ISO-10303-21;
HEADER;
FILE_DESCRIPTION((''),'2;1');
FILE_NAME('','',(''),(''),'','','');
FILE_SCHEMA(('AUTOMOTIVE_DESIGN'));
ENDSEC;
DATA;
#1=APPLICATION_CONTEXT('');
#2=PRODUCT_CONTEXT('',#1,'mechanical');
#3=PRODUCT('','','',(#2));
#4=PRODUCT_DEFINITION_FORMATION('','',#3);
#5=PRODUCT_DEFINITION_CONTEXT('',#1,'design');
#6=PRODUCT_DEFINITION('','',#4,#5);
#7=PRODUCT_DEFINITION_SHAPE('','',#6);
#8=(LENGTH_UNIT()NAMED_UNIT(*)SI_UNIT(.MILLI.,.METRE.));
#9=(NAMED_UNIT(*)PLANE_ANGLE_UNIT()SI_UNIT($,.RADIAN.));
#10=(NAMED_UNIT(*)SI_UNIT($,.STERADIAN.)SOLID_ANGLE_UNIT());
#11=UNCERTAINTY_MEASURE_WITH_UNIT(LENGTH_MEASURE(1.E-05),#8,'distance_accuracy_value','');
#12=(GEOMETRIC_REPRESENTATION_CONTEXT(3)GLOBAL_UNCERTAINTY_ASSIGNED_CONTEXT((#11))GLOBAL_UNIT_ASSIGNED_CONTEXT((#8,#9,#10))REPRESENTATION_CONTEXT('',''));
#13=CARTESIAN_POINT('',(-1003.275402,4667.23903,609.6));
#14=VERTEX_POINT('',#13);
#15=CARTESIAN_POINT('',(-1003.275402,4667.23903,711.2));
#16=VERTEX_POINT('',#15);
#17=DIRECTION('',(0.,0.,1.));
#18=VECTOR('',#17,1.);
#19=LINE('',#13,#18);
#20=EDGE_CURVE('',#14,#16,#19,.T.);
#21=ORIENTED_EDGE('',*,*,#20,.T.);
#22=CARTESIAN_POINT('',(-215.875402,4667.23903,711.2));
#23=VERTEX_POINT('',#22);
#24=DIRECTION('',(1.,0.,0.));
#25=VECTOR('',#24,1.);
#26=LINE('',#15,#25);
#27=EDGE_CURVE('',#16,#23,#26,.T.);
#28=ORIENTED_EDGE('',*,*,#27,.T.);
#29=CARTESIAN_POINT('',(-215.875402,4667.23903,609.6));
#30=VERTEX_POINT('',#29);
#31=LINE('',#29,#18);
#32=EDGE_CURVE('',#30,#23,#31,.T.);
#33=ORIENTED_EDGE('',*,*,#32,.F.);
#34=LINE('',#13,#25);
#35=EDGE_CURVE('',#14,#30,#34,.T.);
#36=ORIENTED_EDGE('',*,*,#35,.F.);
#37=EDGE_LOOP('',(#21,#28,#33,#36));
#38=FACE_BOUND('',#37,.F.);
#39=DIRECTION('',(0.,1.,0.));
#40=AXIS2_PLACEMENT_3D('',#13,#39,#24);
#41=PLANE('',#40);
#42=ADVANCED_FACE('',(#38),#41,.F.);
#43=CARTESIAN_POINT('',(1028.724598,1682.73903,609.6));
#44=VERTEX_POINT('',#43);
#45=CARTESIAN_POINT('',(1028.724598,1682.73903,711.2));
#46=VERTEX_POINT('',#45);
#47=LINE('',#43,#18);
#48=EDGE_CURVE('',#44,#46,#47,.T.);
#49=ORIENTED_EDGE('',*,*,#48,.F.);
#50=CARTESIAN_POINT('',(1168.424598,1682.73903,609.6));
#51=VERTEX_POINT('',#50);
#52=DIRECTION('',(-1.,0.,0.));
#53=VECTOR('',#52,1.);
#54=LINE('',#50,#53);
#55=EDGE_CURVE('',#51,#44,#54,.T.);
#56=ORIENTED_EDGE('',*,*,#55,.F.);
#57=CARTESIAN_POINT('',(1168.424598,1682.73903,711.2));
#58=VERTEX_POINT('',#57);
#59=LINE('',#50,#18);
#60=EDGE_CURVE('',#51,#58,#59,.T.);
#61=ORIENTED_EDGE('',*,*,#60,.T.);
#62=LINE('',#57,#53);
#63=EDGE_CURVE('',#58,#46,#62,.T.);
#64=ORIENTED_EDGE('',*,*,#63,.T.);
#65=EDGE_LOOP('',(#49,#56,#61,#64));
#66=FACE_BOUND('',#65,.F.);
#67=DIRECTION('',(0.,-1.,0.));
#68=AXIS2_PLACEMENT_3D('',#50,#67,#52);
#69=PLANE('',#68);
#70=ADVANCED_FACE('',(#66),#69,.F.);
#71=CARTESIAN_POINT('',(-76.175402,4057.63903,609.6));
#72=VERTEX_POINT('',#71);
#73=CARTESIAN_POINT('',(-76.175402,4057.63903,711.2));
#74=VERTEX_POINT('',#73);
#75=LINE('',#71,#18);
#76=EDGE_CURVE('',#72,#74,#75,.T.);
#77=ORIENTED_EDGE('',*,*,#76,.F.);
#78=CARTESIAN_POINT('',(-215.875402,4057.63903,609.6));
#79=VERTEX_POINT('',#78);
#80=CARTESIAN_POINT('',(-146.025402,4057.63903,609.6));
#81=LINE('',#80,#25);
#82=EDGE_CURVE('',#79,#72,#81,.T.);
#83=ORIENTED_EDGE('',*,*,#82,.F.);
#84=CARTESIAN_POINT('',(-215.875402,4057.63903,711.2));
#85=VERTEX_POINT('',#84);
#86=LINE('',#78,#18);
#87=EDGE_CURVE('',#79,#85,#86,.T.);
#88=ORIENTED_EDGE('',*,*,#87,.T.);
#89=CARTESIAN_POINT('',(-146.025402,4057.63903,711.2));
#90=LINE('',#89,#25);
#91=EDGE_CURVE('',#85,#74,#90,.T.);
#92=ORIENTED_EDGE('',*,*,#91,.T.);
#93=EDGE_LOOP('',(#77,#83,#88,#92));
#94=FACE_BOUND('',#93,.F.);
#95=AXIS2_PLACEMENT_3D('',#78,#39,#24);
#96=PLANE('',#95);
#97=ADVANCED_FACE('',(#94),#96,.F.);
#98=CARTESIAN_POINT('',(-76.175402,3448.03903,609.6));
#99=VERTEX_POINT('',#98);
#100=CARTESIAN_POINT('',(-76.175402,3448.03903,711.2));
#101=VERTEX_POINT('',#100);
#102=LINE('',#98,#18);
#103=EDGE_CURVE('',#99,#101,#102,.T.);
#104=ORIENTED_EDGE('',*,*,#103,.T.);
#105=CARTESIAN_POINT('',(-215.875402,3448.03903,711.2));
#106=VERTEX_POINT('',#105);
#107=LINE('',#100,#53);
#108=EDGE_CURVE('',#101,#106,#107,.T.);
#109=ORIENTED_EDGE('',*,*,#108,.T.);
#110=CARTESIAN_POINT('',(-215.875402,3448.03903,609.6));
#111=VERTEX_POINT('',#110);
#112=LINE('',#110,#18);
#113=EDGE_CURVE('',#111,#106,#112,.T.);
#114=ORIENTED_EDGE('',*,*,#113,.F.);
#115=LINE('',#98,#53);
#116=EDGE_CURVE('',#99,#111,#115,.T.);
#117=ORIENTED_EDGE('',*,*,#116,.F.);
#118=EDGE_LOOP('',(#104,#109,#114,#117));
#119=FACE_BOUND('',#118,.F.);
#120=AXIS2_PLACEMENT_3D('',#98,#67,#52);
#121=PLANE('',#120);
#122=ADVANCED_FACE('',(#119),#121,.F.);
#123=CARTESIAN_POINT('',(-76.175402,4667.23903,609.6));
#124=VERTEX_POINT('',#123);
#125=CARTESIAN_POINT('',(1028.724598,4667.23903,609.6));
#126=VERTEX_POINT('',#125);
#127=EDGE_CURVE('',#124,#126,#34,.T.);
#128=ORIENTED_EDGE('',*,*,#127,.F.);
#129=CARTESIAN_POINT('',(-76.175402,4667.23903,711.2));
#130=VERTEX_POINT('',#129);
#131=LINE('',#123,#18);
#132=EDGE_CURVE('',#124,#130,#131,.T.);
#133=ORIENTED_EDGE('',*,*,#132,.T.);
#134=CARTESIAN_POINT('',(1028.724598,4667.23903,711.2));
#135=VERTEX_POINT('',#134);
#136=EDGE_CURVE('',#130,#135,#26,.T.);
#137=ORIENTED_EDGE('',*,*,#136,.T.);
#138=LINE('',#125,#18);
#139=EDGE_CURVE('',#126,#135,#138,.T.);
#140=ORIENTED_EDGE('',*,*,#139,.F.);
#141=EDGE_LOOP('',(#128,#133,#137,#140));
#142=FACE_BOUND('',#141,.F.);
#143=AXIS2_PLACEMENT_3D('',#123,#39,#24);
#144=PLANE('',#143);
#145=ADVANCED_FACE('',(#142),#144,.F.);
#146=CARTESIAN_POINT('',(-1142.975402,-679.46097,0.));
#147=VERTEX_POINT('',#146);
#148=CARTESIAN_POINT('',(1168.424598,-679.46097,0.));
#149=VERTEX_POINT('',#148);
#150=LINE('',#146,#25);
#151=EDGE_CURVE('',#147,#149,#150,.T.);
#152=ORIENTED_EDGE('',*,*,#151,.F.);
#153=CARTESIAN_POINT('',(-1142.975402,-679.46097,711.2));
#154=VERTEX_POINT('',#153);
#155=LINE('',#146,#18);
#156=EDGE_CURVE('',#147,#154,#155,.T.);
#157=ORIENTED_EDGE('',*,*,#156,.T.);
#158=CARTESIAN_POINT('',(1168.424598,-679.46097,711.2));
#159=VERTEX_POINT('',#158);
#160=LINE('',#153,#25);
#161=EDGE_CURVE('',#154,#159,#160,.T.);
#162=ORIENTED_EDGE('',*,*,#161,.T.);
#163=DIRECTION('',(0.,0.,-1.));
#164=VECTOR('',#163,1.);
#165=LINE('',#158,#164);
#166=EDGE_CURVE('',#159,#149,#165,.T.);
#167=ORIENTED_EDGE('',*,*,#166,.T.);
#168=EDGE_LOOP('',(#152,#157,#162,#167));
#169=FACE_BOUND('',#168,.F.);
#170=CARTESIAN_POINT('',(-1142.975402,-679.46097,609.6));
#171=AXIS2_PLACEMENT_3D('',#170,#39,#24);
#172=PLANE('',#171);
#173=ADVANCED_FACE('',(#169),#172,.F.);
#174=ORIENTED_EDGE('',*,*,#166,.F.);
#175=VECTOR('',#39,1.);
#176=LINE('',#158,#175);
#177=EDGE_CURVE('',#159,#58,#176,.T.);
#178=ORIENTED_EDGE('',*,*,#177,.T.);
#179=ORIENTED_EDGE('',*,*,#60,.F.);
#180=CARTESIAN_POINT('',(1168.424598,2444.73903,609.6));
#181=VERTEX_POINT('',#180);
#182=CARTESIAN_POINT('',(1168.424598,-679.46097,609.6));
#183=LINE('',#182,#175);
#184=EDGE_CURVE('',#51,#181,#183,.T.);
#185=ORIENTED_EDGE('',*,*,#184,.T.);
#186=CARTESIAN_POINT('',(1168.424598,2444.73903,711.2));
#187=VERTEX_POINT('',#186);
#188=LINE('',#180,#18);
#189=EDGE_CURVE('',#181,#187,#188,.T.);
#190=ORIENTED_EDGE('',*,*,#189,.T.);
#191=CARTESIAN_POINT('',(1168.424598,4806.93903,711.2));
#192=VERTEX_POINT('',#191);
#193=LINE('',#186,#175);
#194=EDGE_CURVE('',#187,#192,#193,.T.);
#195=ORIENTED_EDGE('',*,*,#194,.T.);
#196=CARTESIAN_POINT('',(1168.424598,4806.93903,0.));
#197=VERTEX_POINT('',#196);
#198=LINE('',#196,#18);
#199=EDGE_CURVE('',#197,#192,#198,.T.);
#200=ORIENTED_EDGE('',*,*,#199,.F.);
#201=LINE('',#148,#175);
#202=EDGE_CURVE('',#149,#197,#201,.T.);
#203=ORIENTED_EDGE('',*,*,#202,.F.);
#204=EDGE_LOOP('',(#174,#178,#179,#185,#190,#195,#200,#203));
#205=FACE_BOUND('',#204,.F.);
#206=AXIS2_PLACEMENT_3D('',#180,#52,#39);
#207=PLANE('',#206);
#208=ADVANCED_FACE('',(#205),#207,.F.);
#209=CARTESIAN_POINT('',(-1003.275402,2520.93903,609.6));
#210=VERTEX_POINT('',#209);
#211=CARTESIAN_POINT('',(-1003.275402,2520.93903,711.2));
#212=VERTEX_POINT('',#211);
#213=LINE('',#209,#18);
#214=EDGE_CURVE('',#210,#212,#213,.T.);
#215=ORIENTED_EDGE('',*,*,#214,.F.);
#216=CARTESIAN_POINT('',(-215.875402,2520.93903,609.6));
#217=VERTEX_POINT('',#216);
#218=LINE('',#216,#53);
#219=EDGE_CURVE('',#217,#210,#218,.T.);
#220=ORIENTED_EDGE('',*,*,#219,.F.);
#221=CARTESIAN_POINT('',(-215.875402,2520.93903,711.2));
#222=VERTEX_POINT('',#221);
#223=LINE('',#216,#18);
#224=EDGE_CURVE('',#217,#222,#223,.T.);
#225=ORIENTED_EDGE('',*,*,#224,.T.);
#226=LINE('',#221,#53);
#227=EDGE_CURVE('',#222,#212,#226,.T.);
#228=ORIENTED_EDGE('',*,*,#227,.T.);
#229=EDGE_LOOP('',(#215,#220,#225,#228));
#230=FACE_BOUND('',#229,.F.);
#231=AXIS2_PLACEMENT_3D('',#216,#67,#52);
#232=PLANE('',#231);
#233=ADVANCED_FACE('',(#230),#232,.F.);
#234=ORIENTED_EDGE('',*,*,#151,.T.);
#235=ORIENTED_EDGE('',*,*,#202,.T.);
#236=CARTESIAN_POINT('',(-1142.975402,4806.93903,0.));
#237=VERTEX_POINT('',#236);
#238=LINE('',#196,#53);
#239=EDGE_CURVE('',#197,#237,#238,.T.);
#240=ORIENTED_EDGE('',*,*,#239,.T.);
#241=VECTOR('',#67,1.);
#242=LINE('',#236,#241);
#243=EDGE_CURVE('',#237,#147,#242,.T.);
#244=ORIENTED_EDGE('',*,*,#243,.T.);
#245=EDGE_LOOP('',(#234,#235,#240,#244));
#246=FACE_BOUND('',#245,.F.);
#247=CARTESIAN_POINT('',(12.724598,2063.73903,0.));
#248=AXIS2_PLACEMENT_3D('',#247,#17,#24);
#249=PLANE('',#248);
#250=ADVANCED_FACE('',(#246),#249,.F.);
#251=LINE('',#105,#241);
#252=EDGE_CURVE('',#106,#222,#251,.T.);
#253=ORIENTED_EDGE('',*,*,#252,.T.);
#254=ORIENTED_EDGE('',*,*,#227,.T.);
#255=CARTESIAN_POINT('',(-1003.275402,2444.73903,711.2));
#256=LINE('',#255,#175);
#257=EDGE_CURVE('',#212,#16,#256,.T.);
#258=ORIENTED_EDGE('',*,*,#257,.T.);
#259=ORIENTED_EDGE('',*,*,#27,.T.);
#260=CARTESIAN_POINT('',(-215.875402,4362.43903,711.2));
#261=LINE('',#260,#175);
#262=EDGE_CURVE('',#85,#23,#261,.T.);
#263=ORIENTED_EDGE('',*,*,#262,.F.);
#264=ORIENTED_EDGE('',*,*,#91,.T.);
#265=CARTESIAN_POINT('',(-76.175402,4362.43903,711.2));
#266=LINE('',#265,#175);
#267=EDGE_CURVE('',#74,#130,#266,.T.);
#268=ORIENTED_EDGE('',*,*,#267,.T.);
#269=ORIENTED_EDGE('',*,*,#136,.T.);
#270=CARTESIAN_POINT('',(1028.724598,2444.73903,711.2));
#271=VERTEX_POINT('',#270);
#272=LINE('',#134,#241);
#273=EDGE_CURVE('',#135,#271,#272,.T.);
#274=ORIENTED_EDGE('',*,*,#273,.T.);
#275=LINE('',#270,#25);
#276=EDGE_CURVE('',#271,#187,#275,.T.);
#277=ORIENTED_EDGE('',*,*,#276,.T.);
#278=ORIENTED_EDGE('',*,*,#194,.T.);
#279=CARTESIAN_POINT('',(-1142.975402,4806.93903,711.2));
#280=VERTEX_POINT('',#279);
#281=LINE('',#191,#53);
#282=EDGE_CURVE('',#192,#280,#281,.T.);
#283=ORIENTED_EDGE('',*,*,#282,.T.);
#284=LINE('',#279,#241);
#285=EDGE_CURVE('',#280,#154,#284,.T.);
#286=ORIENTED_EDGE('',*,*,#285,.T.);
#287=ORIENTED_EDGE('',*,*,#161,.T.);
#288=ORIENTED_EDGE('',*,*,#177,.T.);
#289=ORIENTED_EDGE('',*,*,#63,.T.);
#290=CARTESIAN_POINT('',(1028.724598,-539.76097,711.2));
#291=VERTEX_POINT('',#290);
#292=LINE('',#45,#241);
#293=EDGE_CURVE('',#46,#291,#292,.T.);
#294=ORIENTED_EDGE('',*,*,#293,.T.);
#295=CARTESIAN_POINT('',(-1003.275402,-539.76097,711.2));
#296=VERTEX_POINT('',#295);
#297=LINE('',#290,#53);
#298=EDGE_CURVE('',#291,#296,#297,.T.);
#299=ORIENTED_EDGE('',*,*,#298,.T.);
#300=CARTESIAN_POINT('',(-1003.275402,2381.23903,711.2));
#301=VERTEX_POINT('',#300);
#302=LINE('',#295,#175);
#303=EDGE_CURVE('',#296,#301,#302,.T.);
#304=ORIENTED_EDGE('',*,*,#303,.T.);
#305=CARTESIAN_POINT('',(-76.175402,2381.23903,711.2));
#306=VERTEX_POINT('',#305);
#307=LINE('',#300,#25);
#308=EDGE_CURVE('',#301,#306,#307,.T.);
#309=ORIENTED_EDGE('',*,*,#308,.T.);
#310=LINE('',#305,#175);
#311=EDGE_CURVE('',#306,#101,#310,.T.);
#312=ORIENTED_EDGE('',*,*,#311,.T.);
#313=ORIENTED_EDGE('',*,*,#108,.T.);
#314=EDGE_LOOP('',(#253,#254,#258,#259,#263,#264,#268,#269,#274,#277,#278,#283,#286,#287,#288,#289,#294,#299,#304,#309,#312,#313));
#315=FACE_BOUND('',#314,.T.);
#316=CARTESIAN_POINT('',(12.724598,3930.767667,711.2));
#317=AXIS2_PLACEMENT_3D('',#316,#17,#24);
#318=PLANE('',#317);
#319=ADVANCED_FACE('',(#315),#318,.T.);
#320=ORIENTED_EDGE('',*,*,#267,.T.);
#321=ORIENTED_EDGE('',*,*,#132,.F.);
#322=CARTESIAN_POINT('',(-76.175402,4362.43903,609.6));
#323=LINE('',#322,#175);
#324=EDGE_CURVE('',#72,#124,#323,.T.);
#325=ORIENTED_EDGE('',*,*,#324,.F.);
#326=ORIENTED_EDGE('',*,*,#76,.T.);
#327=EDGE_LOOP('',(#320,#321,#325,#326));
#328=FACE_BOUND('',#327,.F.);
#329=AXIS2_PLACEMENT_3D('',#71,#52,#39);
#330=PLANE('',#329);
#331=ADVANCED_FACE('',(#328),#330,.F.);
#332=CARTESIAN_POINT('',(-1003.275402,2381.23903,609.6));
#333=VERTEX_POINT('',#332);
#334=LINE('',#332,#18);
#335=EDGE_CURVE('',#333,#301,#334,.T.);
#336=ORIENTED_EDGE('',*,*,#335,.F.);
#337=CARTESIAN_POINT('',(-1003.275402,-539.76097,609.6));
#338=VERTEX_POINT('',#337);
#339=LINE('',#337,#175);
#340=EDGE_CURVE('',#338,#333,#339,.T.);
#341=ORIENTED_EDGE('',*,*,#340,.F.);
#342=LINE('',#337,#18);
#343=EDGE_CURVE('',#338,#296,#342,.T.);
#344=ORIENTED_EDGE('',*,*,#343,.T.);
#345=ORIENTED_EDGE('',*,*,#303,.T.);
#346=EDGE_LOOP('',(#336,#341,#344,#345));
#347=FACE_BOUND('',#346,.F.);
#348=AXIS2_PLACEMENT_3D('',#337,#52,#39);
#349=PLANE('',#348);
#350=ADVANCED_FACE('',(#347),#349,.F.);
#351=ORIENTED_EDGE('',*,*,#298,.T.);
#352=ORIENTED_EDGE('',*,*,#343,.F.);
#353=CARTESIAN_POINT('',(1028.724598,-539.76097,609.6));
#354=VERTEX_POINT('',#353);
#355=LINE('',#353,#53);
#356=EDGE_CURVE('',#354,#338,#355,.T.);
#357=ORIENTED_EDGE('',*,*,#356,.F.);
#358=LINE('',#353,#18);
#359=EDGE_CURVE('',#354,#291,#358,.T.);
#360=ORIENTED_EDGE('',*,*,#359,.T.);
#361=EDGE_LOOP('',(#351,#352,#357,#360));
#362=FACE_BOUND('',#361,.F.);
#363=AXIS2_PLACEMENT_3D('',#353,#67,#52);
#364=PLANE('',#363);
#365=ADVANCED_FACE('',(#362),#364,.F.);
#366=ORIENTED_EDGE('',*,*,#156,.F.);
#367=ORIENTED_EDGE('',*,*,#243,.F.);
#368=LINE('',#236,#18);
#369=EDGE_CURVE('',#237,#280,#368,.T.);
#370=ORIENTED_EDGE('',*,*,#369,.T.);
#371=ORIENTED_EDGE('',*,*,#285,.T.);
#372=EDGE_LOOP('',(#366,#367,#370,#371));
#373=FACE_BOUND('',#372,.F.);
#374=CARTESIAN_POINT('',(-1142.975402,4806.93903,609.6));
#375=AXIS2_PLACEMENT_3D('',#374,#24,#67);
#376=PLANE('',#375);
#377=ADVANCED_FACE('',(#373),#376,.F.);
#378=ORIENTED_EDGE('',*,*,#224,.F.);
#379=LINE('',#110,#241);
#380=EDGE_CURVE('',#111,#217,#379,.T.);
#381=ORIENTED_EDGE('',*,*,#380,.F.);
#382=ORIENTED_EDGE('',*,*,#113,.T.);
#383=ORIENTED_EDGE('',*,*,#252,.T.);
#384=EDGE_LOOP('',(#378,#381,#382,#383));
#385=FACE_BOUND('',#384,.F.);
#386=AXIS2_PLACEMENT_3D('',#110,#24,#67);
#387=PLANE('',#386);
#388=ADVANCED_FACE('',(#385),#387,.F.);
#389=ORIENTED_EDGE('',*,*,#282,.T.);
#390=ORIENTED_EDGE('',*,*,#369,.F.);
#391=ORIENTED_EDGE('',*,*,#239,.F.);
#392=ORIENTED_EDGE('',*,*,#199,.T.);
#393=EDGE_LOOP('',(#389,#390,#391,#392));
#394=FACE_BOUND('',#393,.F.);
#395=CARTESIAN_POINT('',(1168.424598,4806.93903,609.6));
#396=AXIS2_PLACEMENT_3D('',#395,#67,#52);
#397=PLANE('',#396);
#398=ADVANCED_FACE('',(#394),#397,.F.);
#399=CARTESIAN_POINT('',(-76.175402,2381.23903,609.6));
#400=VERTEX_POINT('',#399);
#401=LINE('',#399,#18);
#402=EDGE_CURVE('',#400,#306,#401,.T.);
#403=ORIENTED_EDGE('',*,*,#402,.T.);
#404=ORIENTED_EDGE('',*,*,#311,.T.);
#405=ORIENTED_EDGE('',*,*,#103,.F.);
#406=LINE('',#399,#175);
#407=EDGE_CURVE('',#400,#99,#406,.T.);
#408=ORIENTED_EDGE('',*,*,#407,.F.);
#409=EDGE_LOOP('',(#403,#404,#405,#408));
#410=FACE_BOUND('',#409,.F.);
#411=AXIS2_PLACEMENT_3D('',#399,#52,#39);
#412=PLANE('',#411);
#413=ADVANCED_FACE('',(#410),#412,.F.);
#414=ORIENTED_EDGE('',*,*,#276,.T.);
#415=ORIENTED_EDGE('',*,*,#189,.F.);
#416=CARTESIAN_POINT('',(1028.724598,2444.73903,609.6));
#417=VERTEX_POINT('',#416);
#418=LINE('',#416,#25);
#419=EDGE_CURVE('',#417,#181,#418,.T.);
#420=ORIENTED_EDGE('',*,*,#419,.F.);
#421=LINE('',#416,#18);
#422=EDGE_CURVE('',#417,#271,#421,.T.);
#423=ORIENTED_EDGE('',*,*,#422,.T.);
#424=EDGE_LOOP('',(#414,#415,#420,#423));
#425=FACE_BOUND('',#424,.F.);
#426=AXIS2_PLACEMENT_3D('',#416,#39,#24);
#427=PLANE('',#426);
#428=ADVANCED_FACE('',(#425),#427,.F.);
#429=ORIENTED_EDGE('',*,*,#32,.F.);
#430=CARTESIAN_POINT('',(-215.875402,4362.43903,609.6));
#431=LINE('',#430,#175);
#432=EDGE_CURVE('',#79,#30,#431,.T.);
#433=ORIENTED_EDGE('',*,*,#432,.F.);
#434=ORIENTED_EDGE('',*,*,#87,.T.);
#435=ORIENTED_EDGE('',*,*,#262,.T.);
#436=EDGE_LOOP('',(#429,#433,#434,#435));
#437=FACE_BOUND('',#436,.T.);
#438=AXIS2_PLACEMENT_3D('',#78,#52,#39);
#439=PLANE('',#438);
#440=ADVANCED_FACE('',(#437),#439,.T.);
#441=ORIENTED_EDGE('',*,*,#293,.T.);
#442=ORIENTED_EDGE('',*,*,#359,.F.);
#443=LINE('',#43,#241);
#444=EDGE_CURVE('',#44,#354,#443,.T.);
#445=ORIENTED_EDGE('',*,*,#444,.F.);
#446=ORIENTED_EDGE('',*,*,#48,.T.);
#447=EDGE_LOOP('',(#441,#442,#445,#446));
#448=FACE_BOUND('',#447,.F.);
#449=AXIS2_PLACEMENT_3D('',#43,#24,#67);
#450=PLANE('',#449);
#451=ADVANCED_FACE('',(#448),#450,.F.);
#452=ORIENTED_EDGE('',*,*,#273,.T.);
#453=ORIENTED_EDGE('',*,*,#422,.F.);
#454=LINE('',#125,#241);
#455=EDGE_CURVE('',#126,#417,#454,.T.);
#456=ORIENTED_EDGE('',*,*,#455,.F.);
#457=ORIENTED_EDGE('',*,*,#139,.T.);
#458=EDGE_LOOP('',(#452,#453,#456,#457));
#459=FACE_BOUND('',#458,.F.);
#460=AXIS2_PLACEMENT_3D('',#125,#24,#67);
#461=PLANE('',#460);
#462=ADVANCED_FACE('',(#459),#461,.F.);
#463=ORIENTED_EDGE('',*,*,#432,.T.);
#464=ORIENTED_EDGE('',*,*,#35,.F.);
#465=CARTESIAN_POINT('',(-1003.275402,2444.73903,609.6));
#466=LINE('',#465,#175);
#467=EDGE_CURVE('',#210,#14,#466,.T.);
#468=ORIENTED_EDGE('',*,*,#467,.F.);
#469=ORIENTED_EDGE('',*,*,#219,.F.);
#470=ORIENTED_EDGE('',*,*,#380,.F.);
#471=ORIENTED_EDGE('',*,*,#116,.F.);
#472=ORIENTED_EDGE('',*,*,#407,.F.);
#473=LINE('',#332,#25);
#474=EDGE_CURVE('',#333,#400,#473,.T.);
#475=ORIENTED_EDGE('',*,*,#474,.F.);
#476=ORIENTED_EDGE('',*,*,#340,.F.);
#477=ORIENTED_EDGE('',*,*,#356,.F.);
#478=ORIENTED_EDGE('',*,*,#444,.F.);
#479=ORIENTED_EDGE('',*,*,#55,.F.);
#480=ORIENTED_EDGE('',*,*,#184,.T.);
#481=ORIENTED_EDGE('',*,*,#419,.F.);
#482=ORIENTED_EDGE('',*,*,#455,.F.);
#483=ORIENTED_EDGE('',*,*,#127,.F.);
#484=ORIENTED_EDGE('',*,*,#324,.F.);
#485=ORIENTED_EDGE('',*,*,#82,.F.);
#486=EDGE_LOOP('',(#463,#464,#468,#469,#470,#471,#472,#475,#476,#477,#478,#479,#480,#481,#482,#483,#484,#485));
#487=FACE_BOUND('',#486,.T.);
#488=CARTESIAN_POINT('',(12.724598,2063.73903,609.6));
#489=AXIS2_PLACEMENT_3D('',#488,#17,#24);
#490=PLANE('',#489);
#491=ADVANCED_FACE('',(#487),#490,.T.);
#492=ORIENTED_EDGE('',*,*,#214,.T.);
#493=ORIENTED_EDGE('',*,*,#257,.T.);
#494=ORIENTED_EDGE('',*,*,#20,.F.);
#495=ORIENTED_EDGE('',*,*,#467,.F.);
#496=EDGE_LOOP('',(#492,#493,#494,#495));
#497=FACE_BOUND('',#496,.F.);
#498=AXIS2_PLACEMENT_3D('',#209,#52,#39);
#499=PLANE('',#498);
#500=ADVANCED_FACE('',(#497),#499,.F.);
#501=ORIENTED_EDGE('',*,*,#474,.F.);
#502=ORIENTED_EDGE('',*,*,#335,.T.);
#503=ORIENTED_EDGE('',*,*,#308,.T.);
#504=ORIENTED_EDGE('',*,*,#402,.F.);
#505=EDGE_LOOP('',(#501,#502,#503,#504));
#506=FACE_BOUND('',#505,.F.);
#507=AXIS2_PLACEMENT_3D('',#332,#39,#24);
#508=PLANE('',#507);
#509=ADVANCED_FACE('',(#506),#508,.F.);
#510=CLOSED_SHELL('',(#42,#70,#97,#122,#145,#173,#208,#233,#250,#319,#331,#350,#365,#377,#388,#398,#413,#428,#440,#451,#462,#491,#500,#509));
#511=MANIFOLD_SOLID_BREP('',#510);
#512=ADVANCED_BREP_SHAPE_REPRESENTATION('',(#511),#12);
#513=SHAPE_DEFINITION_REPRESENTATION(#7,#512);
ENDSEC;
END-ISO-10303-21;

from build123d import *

# Parameters (mm, degrees)
F1_DEPTH = 609.6
F2_W     = 139.7
F2_H     = 609.6
F3_DEPTH = 101.6


with BuildPart() as f1:
    # F0 (on Top) → F1 (new body)
    with BuildSketch(Plane.XY):
        Polygon((-1142.9754019082, 4806.9390297801), (-1142.9754019082, -679.4609702199), (694.7043538094, -679.4609702199), (1168.4245980918, -679.4609702199), (1168.4245980918, -422.2676753998), (1168.4245980918, 4806.9390297801), align=None)
    extrude(amount=F1_DEPTH)

    # F2 (on face) → F3 (join)
    with BuildSketch(Plane.XY.offset(609.6)):
        Polygon((-76.1754019082, 4667.2390297801), (1028.7245980918, 4667.2390297801), (1028.7245980918, 2444.7390297801), (1168.4245980918, 2444.7390297801), (1168.4245980918, 4806.9390297801), (-1142.9754019082, 4806.9390297801), (-1142.9754019082, 2444.7390297801), (-1003.2754019082, 2444.7390297801), (-1003.2754019082, 2520.9390297801), (-1003.2754019082, 4667.2390297801), (-215.8754019082, 4667.2390297801), align=None)
        with Locations((-146.0254019082, 4362.4390297801)):
            Rectangle(F2_W, F2_H)
        Polygon((-76.1754019082, 2381.2390297801), (-76.1754019082, 3448.0390297801), (-215.8754019082, 3448.0390297801), (-215.8754019082, 2520.9390297801), (-1003.2754019082, 2520.9390297801), (-1003.2754019082, 2444.7390297801), (-1003.2754019082, 2381.2390297801), align=None)
        Polygon((393.7245980918, -679.4609702199), (393.7245980918, -539.7609702199), (-1003.2754019082, -539.7609702199), (-1003.2754019082, 1682.7390297801), (-1142.9754019082, 1682.7390297801), (-1142.9754019082, -679.4609702199), (-368.2754019082, -679.4609702199), align=None)
        Polygon((-1003.2754019082, 2381.2390297801), (-1003.2754019082, 2444.7390297801), (-1142.9754019082, 2444.7390297801), (-1142.9754019082, 1682.7390297801), (-1003.2754019082, 1682.7390297801), align=None)
        Polygon((1168.4245980918, 1682.7390297801), (1028.7245980918, 1682.7390297801), (1028.7245980918, -539.7609702199), (393.7245980918, -539.7609702199), (393.7245980918, -679.4609702199), (1168.4245980918, -679.4609702199), align=None)
    extrude(amount=F3_DEPTH)


solid = f1.part
